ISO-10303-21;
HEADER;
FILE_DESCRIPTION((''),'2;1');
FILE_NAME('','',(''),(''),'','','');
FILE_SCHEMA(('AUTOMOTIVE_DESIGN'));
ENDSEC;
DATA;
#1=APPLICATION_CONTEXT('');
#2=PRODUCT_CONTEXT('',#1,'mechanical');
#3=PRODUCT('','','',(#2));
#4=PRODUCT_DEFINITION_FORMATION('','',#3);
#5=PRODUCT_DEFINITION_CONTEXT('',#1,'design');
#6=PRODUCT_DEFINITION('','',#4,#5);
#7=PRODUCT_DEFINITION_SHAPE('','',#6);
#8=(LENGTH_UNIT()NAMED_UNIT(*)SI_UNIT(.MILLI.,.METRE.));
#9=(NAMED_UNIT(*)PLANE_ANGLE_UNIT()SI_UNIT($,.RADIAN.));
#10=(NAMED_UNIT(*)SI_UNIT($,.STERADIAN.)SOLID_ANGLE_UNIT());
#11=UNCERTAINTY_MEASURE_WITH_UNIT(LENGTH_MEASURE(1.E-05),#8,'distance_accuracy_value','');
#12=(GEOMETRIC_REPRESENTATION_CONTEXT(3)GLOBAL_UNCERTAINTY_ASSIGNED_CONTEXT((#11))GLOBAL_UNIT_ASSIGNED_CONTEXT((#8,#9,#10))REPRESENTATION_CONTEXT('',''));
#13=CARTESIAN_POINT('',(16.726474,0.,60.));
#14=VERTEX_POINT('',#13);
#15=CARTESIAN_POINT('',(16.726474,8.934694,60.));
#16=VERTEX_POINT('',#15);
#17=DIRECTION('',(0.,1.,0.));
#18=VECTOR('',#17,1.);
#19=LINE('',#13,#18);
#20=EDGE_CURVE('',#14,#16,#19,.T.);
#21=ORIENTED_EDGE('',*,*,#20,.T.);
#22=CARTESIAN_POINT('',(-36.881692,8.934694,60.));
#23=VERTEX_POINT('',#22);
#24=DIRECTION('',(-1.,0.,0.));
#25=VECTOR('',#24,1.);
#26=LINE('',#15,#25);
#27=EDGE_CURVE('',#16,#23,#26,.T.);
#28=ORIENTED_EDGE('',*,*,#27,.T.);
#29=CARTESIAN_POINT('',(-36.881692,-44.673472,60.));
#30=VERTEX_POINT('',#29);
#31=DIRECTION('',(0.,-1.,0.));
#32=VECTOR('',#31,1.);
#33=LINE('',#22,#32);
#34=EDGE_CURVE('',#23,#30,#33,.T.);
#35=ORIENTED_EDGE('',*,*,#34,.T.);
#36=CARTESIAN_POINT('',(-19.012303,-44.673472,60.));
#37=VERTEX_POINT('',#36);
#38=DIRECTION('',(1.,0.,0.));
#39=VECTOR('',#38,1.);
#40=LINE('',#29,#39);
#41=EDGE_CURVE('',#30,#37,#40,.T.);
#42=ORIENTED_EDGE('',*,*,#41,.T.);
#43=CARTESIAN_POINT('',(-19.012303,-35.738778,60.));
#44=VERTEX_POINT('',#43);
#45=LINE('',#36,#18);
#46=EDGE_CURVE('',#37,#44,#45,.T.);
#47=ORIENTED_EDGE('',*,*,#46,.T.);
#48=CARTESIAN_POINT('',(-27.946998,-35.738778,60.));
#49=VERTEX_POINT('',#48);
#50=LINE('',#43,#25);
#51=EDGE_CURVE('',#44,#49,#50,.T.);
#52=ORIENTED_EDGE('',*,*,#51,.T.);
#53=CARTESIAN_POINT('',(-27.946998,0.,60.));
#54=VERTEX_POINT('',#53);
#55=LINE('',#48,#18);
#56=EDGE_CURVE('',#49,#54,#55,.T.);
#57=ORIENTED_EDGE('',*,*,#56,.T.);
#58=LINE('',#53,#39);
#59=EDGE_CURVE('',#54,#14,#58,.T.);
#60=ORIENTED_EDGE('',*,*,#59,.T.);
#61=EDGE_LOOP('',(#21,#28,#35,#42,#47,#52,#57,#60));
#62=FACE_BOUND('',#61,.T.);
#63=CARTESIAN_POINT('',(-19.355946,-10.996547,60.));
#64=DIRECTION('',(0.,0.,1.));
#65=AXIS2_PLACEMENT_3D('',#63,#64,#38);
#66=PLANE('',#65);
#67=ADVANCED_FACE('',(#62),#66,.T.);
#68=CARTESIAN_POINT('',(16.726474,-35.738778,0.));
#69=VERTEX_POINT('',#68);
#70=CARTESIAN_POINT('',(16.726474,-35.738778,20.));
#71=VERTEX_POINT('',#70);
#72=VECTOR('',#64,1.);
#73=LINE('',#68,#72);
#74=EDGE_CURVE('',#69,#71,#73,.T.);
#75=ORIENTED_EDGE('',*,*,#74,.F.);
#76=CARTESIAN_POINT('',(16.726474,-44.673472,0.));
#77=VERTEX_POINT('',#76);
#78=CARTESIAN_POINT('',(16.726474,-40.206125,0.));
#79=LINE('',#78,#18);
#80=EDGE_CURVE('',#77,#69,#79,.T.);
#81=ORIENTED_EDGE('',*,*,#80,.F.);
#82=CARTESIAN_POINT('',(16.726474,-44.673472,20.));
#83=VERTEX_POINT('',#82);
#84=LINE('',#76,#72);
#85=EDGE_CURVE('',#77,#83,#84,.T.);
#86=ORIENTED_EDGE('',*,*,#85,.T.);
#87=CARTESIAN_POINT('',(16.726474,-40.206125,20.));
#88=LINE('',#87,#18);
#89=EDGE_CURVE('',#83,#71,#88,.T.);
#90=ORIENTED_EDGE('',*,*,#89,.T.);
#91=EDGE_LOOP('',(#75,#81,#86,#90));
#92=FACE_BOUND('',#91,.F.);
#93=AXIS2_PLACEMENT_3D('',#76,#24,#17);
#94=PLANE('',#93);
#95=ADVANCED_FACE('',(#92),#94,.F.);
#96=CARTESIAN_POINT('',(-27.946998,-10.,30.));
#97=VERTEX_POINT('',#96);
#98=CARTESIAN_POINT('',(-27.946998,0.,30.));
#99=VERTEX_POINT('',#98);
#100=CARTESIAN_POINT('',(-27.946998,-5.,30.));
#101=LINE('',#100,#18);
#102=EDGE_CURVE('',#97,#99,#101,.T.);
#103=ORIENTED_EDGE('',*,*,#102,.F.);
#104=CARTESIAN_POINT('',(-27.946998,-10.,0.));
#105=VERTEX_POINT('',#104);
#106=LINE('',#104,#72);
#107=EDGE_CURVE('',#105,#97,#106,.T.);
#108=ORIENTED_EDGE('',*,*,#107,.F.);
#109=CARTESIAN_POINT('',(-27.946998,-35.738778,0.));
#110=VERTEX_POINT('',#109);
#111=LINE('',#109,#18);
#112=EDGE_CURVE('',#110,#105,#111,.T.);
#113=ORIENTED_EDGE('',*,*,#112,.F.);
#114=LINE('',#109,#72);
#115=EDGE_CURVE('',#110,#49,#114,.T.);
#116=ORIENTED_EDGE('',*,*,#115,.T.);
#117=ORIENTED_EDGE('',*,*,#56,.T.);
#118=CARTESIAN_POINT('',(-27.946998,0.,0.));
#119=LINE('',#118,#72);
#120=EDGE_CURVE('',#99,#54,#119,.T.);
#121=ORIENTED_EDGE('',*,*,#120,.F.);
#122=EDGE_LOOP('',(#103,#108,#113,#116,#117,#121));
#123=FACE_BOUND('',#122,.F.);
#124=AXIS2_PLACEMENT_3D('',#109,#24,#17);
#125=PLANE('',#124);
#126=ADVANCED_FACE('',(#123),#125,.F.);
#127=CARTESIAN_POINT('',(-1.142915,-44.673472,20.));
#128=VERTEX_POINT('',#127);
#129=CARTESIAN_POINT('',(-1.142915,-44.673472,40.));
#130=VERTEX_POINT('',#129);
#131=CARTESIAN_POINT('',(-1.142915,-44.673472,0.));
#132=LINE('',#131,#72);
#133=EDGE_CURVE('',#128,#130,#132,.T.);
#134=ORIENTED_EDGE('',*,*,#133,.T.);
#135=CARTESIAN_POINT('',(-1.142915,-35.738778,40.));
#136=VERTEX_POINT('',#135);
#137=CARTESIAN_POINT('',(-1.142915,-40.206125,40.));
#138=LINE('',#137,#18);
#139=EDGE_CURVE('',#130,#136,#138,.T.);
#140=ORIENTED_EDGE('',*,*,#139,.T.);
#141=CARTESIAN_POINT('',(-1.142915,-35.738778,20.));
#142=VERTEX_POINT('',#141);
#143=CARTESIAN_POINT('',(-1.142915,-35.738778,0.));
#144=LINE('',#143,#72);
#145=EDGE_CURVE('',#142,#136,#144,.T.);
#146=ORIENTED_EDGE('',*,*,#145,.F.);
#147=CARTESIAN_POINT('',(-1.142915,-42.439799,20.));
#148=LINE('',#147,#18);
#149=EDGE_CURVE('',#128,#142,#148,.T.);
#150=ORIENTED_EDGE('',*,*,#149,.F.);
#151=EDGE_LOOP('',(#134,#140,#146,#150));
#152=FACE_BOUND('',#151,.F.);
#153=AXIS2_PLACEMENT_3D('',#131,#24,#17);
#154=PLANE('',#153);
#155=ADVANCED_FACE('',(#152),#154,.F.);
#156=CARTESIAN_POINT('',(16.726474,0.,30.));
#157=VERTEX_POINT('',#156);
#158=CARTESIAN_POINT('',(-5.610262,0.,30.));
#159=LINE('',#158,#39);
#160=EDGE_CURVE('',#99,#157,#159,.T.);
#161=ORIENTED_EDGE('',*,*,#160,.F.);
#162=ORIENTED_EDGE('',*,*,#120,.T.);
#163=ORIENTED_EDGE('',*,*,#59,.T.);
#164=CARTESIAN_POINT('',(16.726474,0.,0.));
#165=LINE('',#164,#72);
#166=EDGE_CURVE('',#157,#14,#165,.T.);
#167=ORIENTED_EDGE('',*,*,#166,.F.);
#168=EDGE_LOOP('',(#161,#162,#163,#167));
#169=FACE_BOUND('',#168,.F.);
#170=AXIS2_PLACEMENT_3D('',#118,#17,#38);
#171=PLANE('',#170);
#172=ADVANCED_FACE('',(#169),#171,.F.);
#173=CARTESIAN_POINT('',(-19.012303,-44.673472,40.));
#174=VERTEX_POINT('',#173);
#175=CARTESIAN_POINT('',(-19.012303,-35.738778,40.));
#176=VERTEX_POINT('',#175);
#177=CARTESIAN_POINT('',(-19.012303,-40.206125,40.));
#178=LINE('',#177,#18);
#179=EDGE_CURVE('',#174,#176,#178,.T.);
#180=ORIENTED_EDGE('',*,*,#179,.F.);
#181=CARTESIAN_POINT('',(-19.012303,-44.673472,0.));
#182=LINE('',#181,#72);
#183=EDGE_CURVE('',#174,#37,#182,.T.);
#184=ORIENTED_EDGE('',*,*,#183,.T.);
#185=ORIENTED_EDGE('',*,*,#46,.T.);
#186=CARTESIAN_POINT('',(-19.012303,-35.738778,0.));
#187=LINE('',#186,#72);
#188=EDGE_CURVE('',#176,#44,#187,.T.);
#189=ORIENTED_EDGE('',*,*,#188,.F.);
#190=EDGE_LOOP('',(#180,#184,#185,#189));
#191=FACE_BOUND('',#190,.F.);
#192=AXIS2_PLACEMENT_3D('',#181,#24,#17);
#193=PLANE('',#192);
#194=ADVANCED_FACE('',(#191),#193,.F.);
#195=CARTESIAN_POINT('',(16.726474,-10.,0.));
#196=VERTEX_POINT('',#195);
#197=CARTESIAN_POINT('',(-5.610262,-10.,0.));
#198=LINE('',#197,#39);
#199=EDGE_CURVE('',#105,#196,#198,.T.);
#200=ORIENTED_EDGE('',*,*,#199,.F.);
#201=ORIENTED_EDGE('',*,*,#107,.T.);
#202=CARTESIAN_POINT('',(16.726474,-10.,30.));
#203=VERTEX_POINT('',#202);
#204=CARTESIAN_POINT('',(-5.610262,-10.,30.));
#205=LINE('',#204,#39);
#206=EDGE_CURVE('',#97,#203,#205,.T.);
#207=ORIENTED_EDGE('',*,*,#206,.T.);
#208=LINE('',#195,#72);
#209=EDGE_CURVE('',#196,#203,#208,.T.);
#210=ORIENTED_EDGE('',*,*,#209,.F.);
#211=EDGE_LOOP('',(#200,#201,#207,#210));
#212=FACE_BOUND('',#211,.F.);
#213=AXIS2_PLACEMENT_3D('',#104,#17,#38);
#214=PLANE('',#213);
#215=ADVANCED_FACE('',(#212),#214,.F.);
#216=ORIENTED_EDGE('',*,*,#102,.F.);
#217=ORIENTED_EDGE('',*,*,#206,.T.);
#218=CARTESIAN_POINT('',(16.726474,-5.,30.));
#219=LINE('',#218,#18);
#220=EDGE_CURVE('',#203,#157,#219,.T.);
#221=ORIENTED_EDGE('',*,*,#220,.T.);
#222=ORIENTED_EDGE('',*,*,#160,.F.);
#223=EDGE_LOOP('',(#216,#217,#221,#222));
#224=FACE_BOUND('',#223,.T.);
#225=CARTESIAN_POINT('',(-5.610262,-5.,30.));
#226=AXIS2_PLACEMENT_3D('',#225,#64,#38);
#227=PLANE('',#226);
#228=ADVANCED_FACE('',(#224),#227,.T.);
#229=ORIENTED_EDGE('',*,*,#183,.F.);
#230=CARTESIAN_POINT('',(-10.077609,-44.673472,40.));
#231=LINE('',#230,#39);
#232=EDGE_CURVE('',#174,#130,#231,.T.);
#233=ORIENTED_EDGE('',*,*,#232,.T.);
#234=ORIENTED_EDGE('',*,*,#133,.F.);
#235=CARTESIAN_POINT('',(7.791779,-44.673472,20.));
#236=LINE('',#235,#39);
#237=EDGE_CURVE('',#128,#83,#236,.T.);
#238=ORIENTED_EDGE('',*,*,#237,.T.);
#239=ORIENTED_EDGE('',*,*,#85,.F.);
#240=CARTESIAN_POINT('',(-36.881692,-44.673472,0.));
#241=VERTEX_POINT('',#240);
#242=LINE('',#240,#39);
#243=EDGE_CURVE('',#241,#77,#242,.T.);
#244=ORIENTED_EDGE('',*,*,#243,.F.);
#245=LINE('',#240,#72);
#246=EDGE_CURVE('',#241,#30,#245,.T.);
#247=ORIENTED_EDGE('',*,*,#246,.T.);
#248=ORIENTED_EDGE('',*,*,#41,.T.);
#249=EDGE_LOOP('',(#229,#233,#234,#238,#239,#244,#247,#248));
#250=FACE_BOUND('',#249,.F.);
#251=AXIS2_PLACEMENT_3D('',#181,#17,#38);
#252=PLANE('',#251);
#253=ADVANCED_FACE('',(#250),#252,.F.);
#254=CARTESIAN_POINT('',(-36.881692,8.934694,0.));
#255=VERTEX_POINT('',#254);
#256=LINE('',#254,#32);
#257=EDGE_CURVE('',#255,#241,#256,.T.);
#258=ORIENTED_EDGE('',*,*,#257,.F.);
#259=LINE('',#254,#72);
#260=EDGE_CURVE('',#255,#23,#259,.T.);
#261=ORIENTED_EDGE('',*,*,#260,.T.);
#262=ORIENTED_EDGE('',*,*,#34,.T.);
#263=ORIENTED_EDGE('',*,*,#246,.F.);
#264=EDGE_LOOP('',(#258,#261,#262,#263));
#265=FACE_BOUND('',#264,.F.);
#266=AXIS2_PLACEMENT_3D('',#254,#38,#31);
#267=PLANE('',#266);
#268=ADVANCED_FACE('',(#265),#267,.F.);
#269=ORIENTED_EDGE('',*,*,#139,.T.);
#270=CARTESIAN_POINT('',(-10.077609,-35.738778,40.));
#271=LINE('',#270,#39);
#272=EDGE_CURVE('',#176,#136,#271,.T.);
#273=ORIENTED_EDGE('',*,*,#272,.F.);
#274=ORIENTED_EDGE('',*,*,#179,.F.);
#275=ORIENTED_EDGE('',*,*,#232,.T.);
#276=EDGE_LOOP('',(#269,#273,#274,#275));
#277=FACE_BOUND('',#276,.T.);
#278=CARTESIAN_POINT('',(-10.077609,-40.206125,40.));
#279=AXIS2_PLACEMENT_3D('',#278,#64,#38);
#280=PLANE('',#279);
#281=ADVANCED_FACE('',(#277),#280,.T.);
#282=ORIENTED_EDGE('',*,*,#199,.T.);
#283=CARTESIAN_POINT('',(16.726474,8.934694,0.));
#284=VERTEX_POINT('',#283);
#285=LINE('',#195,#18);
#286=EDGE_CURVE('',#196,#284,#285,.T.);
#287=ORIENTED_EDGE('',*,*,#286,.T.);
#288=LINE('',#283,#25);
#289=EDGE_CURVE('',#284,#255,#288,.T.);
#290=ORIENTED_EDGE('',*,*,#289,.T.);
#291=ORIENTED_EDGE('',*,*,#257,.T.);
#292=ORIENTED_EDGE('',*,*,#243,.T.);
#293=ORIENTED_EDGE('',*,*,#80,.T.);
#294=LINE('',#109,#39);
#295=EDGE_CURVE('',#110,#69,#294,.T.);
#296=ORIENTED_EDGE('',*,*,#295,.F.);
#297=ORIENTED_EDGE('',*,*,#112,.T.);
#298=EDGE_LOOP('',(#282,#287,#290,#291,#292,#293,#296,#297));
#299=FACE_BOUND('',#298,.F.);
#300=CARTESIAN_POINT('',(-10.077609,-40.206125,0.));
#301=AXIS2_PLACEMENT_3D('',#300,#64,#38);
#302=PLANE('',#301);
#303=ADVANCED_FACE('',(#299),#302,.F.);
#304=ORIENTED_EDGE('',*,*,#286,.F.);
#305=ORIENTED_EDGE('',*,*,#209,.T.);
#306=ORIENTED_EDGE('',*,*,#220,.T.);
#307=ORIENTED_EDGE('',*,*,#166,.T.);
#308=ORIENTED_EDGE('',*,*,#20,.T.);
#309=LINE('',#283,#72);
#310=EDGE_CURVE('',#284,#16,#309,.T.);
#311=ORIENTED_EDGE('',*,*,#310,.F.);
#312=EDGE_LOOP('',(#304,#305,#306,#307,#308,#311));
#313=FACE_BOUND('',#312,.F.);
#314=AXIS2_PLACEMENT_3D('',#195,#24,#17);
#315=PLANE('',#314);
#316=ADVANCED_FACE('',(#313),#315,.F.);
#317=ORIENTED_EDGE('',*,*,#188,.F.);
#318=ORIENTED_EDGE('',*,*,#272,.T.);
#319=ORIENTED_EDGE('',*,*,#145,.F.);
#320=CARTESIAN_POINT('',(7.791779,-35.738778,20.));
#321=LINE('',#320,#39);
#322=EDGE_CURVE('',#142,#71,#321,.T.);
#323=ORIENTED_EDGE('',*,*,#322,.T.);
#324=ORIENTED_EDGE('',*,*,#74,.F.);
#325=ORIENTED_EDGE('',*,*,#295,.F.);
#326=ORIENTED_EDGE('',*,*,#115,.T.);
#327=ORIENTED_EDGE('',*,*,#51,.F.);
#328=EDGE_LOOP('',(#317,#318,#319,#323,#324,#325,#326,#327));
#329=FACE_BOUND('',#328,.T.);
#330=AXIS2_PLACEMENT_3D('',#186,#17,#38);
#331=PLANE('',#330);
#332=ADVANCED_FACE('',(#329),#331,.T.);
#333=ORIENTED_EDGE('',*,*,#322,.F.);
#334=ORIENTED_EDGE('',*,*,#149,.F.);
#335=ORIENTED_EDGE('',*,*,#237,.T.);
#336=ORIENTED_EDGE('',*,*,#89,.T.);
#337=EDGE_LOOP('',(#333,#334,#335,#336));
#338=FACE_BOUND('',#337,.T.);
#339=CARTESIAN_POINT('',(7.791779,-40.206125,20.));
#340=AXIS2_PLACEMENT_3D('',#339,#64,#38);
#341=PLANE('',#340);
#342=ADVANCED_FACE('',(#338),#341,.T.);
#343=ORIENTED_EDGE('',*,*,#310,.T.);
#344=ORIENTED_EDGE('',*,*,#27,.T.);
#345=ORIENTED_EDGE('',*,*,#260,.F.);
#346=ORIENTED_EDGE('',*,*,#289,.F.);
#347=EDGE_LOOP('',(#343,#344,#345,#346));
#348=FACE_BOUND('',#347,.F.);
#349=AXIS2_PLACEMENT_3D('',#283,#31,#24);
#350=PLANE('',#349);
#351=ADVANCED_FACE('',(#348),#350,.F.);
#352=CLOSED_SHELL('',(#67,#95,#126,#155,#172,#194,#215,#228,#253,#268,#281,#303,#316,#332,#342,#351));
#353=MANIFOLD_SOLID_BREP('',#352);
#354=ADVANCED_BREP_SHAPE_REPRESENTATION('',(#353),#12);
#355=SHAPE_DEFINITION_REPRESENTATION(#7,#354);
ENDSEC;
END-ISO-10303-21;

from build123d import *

# Parameters (mm, degrees)
F1_DEPTH = 60
F0_W     = 44.673472
F0_H     = 10
F2_DEPTH = 30
F0_W_2   = 17.869388
F0_H_2   = 8.934694
F3_DEPTH = 40
F0_W_3   = 17.869389
F4_DEPTH = 20


with BuildPart() as f1:
    # F0 (on Top) → F1 (new body)
    with BuildSketch(Plane.XY):
        Polygon((16.726474, 8.934694), (-36.881692, 8.934694), (-36.881692, -44.673472), (-19.012303, -44.673472), (-19.012303, -35.738778), (-27.946998, -35.738778), (-27.946998, -10), (-27.946998, 0), (16.726474, 0), align=None)
    extrude(amount=F1_DEPTH)

    # F0 (on Top) → F2 (join)
    with BuildSketch(Plane.XY):
        with Locations((-5.610262, -5)):
            Rectangle(F0_W, F0_H)
    extrude(amount=F2_DEPTH)

    # F0 (on Top) → F3 (join)
    with BuildSketch(Plane.XY):
        with Locations((-10.077609, -40.206125)):
            Rectangle(F0_W_2, F0_H_2)
    extrude(amount=F3_DEPTH)

    # F0 (on Top) → F4 (join)
    with BuildSketch(Plane.XY):
        with Locations((7.791779, -40.206125)):
            Rectangle(F0_W_3, F0_H_2)
    extrude(amount=F4_DEPTH)


solid = f1.part
